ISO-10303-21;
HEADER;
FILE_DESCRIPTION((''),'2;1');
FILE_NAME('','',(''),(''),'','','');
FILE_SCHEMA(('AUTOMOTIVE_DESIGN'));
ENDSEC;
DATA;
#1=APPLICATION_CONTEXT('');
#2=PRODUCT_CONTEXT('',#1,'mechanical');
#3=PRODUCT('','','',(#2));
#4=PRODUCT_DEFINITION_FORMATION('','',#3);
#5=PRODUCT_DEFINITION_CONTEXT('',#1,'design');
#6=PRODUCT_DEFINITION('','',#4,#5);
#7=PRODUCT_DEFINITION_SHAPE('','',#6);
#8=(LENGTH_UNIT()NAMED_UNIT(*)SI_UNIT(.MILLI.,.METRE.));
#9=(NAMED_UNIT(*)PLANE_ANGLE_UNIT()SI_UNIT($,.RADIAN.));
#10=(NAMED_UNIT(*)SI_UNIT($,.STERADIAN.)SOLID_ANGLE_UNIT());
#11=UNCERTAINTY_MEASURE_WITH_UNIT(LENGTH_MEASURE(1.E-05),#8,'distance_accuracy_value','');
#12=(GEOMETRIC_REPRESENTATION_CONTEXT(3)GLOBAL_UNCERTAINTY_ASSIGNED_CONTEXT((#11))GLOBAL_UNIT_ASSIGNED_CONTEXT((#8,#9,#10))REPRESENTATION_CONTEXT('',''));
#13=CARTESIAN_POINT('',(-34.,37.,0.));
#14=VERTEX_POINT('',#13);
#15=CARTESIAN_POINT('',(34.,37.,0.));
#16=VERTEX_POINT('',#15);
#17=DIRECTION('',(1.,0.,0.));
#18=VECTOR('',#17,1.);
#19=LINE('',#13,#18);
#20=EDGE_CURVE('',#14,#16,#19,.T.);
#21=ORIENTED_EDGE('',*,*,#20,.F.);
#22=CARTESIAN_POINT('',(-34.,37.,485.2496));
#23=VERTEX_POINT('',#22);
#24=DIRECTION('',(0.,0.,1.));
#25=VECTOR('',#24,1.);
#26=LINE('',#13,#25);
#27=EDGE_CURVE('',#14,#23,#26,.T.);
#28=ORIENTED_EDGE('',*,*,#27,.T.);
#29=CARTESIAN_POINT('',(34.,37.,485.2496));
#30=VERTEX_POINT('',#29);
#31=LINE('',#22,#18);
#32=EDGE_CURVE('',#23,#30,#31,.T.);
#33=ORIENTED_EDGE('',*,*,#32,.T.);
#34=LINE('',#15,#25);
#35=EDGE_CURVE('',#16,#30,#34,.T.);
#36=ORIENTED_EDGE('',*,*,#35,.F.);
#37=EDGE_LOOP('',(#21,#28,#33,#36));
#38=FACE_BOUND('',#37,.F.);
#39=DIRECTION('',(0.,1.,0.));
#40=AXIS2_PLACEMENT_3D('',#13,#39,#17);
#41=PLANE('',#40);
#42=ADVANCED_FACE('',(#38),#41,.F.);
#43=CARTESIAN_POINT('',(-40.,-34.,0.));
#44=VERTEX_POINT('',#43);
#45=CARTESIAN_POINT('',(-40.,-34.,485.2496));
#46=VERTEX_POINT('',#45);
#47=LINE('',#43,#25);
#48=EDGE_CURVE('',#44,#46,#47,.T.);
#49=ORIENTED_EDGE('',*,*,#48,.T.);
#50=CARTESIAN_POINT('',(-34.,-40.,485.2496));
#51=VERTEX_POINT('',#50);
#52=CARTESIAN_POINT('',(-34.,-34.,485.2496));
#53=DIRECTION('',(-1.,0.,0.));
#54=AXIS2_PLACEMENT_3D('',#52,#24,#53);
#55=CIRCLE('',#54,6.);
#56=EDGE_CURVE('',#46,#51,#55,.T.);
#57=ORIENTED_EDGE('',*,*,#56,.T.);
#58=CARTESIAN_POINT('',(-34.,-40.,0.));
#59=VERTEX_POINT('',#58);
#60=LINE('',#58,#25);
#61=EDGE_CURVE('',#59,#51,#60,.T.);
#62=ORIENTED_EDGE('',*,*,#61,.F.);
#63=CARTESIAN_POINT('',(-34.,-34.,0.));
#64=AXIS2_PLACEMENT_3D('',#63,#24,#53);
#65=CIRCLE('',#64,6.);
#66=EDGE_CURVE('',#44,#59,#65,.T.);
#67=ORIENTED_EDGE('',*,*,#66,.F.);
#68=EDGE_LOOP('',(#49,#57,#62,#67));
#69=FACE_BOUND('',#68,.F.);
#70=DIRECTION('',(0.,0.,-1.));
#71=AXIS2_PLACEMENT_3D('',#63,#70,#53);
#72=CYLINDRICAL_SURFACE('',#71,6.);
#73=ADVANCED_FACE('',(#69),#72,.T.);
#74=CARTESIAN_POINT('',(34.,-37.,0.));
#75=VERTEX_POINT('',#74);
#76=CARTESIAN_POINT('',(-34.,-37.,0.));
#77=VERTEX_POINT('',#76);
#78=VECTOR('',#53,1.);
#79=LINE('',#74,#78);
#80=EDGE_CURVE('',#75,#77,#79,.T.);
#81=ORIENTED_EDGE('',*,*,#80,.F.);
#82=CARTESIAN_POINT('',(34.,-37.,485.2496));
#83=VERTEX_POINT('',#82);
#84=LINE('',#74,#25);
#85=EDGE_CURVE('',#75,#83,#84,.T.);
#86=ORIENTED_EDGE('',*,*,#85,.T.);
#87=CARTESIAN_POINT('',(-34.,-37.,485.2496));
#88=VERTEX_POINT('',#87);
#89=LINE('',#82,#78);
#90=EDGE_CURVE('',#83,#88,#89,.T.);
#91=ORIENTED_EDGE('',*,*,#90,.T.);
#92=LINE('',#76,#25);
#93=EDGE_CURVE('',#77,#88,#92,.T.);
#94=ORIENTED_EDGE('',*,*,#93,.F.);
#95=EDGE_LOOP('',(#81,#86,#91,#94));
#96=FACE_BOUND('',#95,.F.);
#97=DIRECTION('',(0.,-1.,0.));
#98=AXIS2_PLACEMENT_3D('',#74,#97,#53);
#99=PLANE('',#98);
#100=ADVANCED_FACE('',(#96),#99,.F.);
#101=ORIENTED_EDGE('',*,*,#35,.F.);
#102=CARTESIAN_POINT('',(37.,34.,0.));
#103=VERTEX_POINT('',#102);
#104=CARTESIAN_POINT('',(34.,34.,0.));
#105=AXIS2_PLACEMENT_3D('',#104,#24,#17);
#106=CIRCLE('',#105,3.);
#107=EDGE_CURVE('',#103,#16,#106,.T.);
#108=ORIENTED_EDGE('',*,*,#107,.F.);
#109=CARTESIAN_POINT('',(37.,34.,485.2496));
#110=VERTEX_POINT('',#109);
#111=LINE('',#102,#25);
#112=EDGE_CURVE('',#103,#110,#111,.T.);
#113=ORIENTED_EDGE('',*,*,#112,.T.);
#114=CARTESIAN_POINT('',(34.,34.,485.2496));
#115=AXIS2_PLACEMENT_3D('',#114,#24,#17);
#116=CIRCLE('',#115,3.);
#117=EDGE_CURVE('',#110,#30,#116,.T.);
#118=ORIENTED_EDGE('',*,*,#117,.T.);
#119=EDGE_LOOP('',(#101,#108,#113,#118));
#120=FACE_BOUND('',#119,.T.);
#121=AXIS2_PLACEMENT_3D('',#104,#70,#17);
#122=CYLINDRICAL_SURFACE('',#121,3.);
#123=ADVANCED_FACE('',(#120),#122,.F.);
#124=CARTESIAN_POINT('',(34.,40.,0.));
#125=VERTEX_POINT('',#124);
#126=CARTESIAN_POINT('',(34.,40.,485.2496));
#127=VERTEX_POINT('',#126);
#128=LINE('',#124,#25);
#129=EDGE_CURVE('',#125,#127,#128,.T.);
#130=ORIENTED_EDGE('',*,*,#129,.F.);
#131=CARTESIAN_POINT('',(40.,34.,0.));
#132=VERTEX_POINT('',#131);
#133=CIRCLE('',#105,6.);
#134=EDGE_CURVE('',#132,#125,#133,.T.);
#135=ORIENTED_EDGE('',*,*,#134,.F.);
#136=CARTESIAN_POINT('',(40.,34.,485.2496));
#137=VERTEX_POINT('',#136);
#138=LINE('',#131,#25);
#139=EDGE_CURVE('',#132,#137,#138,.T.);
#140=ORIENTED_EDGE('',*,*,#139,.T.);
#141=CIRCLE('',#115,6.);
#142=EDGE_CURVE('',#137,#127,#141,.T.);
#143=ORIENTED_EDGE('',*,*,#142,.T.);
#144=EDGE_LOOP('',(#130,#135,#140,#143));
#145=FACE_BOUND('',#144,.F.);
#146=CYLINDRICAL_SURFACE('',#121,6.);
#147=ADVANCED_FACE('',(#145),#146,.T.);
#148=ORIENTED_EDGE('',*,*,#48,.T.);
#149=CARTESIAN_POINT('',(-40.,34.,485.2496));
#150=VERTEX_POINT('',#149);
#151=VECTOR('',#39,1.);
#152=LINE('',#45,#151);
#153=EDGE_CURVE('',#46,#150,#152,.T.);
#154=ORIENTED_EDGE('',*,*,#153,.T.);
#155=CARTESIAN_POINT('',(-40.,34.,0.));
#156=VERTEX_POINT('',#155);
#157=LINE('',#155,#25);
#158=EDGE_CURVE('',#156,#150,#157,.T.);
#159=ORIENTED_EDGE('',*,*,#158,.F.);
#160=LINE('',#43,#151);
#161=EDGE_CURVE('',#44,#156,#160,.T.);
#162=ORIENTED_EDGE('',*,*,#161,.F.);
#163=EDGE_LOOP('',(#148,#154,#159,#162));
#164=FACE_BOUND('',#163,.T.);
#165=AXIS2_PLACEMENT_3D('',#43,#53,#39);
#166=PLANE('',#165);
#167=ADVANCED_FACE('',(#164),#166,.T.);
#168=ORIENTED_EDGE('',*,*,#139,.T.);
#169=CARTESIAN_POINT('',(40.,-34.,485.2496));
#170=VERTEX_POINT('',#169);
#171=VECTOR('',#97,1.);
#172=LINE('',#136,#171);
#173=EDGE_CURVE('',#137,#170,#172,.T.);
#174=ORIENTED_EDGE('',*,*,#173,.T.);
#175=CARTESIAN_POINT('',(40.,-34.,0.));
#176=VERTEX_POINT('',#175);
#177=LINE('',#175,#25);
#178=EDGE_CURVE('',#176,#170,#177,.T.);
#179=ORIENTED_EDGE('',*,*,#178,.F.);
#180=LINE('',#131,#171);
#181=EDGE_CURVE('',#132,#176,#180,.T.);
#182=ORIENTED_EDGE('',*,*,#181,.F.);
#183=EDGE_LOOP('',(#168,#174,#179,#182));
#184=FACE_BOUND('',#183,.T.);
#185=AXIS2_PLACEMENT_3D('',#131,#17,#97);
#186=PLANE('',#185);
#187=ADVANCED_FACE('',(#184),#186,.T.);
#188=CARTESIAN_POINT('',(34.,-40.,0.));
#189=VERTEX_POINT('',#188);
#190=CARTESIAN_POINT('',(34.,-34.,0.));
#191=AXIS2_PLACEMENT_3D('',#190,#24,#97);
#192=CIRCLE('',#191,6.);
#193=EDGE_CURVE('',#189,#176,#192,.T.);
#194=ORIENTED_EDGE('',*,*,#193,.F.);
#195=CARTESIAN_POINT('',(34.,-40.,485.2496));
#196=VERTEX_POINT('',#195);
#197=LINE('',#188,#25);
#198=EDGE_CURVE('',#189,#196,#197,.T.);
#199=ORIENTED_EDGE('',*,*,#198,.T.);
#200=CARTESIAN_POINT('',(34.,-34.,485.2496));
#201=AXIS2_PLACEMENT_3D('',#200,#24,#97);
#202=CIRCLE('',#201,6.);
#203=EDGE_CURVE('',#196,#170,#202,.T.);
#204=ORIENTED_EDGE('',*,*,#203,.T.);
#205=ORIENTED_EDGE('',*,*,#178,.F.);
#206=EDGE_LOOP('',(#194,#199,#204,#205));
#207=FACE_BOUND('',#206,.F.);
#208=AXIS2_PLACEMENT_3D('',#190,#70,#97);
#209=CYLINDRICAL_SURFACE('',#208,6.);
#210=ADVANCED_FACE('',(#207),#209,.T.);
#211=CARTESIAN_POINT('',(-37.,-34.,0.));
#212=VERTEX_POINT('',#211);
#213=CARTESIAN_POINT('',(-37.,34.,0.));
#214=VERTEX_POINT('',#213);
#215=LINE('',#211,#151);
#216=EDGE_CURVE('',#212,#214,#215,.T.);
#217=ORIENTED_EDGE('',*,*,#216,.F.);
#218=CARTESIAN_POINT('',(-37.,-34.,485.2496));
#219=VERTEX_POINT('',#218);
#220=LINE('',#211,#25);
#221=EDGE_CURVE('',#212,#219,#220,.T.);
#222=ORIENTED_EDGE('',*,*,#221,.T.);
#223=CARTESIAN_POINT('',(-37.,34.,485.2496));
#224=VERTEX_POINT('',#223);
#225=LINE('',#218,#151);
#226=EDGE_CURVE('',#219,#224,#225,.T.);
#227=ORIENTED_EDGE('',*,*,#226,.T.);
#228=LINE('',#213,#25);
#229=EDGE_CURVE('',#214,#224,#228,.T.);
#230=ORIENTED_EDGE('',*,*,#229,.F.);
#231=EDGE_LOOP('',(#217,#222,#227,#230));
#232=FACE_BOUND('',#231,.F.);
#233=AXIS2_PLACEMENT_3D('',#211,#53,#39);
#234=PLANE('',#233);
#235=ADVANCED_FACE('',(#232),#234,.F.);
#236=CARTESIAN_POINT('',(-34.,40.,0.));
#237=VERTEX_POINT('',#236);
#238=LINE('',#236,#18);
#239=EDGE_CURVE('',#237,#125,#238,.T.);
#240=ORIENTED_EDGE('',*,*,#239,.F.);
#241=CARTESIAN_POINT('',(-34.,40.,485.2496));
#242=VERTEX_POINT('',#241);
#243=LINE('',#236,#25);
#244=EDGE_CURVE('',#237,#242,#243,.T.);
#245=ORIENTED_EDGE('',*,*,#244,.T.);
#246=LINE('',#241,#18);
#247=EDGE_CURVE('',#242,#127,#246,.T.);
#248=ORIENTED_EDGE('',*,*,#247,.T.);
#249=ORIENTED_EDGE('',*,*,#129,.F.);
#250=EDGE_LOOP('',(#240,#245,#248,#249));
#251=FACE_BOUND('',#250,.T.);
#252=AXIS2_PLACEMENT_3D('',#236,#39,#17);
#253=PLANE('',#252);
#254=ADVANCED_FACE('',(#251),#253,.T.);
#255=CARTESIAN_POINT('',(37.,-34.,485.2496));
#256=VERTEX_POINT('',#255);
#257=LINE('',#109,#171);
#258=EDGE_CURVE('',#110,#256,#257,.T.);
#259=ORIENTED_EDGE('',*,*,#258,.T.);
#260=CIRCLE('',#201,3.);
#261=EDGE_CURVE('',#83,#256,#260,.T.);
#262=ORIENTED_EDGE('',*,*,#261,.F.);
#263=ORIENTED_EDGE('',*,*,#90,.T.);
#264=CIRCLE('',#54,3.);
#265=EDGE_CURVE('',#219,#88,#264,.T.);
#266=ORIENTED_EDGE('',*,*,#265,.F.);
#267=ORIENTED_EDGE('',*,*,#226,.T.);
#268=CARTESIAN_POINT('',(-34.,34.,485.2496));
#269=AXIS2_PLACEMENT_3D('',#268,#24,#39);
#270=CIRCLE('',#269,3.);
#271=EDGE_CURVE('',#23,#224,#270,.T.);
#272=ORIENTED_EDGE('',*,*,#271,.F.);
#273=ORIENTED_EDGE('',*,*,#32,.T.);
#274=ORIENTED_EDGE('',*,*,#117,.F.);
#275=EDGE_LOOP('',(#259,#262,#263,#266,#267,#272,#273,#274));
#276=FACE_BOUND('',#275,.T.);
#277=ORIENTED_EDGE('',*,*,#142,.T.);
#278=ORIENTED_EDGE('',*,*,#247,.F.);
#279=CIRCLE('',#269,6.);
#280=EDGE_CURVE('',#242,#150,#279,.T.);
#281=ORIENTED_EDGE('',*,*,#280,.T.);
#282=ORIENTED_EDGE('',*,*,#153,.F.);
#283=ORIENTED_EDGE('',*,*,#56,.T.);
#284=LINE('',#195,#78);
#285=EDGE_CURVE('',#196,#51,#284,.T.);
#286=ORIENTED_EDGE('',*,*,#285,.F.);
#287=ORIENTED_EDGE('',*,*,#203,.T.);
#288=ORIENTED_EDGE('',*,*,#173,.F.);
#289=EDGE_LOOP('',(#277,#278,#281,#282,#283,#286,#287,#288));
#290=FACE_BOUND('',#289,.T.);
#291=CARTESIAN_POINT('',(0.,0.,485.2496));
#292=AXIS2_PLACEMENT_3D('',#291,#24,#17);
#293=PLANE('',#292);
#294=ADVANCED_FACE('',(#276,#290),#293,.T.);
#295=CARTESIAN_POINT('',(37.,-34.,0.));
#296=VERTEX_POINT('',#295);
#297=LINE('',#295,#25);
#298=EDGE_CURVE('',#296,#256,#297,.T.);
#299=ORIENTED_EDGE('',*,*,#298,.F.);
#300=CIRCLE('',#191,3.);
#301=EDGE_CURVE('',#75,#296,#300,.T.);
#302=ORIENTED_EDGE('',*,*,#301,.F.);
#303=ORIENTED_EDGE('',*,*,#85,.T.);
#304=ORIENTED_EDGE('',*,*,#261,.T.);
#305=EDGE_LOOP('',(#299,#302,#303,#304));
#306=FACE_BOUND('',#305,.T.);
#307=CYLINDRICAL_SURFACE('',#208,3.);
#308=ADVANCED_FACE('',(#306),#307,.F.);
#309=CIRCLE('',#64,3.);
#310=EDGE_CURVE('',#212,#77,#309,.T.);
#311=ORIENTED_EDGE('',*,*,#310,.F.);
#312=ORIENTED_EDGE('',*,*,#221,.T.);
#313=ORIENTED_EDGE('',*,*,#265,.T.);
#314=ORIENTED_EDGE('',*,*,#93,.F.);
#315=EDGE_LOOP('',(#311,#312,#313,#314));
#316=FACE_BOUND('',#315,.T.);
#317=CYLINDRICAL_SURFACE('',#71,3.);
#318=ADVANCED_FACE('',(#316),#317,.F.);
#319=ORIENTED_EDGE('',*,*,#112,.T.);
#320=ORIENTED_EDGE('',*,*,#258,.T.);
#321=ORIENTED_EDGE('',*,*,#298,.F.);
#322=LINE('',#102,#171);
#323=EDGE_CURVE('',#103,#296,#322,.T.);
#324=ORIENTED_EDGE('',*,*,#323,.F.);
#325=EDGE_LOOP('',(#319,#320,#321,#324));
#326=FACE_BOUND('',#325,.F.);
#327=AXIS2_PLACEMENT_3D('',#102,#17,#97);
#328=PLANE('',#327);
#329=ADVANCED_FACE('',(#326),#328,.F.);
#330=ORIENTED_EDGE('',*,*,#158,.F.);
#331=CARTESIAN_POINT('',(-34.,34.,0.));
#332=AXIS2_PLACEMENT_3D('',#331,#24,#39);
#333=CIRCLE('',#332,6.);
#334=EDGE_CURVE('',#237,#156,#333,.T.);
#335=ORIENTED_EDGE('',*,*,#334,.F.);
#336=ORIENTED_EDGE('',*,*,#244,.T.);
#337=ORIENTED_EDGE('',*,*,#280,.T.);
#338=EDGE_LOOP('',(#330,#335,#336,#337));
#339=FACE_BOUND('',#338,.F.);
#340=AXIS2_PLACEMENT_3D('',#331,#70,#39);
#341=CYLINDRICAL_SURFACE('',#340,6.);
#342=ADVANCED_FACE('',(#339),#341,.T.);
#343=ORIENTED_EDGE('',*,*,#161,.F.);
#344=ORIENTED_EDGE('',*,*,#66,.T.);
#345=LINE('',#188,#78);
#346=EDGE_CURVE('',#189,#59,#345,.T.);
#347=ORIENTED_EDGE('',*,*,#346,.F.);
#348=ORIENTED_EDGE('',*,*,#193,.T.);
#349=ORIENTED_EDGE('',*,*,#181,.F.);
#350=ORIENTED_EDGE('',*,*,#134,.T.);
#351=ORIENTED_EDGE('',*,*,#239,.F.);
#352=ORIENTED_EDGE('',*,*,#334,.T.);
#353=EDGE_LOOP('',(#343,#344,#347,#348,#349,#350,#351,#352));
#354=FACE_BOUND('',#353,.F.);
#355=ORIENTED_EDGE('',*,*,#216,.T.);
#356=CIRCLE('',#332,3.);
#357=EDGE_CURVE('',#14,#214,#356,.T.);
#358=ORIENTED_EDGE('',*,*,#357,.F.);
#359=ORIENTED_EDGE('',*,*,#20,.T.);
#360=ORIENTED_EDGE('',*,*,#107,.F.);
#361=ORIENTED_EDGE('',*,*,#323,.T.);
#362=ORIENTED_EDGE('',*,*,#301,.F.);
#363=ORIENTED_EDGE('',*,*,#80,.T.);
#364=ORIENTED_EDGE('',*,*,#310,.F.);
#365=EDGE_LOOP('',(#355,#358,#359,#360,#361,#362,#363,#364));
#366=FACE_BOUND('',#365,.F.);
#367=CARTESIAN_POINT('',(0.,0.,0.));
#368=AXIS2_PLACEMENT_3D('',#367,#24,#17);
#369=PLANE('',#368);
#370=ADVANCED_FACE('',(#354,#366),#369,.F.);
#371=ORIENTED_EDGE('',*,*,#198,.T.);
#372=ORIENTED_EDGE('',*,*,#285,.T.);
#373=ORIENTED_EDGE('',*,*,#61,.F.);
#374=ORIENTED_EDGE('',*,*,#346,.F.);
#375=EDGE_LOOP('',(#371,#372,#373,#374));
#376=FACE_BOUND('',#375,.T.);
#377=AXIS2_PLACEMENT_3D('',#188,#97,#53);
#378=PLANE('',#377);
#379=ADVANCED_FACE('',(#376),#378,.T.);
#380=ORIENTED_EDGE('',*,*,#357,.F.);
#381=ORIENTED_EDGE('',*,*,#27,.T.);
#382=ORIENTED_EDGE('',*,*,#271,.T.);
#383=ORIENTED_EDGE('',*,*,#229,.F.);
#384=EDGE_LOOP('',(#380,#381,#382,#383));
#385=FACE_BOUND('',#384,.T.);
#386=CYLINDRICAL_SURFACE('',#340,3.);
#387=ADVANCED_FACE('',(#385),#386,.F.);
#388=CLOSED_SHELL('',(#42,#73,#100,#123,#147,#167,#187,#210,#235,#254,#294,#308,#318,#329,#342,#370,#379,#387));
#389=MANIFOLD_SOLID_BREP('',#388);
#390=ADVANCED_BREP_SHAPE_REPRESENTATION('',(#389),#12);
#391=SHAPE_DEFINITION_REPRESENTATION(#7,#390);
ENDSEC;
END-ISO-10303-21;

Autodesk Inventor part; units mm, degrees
ref_plane "YZ Plane" through (0, 0, 0) normal (1, 0, 0) x (0, 1, 0)
ref_plane "Start Plane" through (0, 0, 0) normal (0, 0, 1) x (1, 0, 0)
ref_plane "End Plane" through (0, 0, 485.2496) normal (0, 0, 1) x (1, 0, 0)
sketch "Sketch" plane through (0, 0, 0) normal (0, 0, 1) x (1, 0, 0)
  line L0 (-40, -34) -> (-40, 34)
  line L1 (-34, 40) -> (34, 40)
  line L2 (40, 34) -> (40, -34)
  line L3 (34, -40) -> (-34, -40)
  arc A0 (-40, -34) -> (-34, -40) centre (-34, -34) ccw
  arc A1 (40, 34) -> (34, 40) centre (34, 34) ccw
  arc A2 (-34, 40) -> (-40, 34) centre (-34, 34) ccw
  arc A3 (34, -40) -> (40, -34) centre (34, -34) ccw
  arc A4 (-34, 37) -> (-37, 34) centre (-34, 34) ccw
  line L4 (-34, 37) -> (34, 37)
  arc A5 (37, 34) -> (34, 37) centre (34, 34) ccw
  line L5 (37, 34) -> (37, -34)
  arc A6 (34, -37) -> (37, -34) centre (34, -34) ccw
  line L6 (34, -37) -> (-34, -37)
  arc A7 (-37, -34) -> (-34, -37) centre (-34, -34) ccw
  line L7 (-37, -34) -> (-37, 34)
  line L8 (0, 57.7397) -> (0, -57.7397) construction
  line L9 (-57.7397, 0) -> (57.7397, 0) construction
  dimension "d7" = 6
  dimension "d9" = 80
  dimension "d11" = 80
  dimension "d12" = 3
  dimension "d15" = 40
  dimension "d16" = 40
extrude "Body" add sketch "Sketch" along normal up to surface (485.2496 mm away) from surface at 0
sketch "Sketch3" plane through (0, 0, 0) normal (0, 0, 1) x (1, 0, 0)
  line L0 (0, 0) -> (10, 0)
ref_plane "Work Plane3" through (0, 0, 0) normal (0, -1, 0) x (1, 0, 0)
sketch "Sketch4" plane through (0, 0, 0) normal (0, -1, 0) x (1, 0, 0)
  line L0 (-2, 0) -> (12, 0) projected
  line L1 (-2, 485.2496) -> (12, 485.2496) projected
  dimension "d18" = 485.2496
equation "\"d7\" = G_IR"
equation "\"d9\" = G_W"
equation "\"d11\" = G_H"
equation "\"d12\" = G_T"
equation "\"d15\" = 0.5 * d9"
equation "\"d16\" = 0.5 * d11"
equation "\"d3\" = G_L"
equation "\"G_W\" = 80"
equation "\"G_H\" = 80"
equation "\"G_T\" = 3"
equation "\"G_IR\" = 6"
equation "\"G_L\" = d18"
equation "\"G_OFFSET_START\" = 0"
equation "\"G_OFFSET_END\" = 0"
equation "\"d14\" = G_OFFSET_END + B_L"
equation "\"B_L\" = 485.24956"
properties part number "ISO 10799-2 - 80x80x3 - 485,25" material "Steel, Mild"
